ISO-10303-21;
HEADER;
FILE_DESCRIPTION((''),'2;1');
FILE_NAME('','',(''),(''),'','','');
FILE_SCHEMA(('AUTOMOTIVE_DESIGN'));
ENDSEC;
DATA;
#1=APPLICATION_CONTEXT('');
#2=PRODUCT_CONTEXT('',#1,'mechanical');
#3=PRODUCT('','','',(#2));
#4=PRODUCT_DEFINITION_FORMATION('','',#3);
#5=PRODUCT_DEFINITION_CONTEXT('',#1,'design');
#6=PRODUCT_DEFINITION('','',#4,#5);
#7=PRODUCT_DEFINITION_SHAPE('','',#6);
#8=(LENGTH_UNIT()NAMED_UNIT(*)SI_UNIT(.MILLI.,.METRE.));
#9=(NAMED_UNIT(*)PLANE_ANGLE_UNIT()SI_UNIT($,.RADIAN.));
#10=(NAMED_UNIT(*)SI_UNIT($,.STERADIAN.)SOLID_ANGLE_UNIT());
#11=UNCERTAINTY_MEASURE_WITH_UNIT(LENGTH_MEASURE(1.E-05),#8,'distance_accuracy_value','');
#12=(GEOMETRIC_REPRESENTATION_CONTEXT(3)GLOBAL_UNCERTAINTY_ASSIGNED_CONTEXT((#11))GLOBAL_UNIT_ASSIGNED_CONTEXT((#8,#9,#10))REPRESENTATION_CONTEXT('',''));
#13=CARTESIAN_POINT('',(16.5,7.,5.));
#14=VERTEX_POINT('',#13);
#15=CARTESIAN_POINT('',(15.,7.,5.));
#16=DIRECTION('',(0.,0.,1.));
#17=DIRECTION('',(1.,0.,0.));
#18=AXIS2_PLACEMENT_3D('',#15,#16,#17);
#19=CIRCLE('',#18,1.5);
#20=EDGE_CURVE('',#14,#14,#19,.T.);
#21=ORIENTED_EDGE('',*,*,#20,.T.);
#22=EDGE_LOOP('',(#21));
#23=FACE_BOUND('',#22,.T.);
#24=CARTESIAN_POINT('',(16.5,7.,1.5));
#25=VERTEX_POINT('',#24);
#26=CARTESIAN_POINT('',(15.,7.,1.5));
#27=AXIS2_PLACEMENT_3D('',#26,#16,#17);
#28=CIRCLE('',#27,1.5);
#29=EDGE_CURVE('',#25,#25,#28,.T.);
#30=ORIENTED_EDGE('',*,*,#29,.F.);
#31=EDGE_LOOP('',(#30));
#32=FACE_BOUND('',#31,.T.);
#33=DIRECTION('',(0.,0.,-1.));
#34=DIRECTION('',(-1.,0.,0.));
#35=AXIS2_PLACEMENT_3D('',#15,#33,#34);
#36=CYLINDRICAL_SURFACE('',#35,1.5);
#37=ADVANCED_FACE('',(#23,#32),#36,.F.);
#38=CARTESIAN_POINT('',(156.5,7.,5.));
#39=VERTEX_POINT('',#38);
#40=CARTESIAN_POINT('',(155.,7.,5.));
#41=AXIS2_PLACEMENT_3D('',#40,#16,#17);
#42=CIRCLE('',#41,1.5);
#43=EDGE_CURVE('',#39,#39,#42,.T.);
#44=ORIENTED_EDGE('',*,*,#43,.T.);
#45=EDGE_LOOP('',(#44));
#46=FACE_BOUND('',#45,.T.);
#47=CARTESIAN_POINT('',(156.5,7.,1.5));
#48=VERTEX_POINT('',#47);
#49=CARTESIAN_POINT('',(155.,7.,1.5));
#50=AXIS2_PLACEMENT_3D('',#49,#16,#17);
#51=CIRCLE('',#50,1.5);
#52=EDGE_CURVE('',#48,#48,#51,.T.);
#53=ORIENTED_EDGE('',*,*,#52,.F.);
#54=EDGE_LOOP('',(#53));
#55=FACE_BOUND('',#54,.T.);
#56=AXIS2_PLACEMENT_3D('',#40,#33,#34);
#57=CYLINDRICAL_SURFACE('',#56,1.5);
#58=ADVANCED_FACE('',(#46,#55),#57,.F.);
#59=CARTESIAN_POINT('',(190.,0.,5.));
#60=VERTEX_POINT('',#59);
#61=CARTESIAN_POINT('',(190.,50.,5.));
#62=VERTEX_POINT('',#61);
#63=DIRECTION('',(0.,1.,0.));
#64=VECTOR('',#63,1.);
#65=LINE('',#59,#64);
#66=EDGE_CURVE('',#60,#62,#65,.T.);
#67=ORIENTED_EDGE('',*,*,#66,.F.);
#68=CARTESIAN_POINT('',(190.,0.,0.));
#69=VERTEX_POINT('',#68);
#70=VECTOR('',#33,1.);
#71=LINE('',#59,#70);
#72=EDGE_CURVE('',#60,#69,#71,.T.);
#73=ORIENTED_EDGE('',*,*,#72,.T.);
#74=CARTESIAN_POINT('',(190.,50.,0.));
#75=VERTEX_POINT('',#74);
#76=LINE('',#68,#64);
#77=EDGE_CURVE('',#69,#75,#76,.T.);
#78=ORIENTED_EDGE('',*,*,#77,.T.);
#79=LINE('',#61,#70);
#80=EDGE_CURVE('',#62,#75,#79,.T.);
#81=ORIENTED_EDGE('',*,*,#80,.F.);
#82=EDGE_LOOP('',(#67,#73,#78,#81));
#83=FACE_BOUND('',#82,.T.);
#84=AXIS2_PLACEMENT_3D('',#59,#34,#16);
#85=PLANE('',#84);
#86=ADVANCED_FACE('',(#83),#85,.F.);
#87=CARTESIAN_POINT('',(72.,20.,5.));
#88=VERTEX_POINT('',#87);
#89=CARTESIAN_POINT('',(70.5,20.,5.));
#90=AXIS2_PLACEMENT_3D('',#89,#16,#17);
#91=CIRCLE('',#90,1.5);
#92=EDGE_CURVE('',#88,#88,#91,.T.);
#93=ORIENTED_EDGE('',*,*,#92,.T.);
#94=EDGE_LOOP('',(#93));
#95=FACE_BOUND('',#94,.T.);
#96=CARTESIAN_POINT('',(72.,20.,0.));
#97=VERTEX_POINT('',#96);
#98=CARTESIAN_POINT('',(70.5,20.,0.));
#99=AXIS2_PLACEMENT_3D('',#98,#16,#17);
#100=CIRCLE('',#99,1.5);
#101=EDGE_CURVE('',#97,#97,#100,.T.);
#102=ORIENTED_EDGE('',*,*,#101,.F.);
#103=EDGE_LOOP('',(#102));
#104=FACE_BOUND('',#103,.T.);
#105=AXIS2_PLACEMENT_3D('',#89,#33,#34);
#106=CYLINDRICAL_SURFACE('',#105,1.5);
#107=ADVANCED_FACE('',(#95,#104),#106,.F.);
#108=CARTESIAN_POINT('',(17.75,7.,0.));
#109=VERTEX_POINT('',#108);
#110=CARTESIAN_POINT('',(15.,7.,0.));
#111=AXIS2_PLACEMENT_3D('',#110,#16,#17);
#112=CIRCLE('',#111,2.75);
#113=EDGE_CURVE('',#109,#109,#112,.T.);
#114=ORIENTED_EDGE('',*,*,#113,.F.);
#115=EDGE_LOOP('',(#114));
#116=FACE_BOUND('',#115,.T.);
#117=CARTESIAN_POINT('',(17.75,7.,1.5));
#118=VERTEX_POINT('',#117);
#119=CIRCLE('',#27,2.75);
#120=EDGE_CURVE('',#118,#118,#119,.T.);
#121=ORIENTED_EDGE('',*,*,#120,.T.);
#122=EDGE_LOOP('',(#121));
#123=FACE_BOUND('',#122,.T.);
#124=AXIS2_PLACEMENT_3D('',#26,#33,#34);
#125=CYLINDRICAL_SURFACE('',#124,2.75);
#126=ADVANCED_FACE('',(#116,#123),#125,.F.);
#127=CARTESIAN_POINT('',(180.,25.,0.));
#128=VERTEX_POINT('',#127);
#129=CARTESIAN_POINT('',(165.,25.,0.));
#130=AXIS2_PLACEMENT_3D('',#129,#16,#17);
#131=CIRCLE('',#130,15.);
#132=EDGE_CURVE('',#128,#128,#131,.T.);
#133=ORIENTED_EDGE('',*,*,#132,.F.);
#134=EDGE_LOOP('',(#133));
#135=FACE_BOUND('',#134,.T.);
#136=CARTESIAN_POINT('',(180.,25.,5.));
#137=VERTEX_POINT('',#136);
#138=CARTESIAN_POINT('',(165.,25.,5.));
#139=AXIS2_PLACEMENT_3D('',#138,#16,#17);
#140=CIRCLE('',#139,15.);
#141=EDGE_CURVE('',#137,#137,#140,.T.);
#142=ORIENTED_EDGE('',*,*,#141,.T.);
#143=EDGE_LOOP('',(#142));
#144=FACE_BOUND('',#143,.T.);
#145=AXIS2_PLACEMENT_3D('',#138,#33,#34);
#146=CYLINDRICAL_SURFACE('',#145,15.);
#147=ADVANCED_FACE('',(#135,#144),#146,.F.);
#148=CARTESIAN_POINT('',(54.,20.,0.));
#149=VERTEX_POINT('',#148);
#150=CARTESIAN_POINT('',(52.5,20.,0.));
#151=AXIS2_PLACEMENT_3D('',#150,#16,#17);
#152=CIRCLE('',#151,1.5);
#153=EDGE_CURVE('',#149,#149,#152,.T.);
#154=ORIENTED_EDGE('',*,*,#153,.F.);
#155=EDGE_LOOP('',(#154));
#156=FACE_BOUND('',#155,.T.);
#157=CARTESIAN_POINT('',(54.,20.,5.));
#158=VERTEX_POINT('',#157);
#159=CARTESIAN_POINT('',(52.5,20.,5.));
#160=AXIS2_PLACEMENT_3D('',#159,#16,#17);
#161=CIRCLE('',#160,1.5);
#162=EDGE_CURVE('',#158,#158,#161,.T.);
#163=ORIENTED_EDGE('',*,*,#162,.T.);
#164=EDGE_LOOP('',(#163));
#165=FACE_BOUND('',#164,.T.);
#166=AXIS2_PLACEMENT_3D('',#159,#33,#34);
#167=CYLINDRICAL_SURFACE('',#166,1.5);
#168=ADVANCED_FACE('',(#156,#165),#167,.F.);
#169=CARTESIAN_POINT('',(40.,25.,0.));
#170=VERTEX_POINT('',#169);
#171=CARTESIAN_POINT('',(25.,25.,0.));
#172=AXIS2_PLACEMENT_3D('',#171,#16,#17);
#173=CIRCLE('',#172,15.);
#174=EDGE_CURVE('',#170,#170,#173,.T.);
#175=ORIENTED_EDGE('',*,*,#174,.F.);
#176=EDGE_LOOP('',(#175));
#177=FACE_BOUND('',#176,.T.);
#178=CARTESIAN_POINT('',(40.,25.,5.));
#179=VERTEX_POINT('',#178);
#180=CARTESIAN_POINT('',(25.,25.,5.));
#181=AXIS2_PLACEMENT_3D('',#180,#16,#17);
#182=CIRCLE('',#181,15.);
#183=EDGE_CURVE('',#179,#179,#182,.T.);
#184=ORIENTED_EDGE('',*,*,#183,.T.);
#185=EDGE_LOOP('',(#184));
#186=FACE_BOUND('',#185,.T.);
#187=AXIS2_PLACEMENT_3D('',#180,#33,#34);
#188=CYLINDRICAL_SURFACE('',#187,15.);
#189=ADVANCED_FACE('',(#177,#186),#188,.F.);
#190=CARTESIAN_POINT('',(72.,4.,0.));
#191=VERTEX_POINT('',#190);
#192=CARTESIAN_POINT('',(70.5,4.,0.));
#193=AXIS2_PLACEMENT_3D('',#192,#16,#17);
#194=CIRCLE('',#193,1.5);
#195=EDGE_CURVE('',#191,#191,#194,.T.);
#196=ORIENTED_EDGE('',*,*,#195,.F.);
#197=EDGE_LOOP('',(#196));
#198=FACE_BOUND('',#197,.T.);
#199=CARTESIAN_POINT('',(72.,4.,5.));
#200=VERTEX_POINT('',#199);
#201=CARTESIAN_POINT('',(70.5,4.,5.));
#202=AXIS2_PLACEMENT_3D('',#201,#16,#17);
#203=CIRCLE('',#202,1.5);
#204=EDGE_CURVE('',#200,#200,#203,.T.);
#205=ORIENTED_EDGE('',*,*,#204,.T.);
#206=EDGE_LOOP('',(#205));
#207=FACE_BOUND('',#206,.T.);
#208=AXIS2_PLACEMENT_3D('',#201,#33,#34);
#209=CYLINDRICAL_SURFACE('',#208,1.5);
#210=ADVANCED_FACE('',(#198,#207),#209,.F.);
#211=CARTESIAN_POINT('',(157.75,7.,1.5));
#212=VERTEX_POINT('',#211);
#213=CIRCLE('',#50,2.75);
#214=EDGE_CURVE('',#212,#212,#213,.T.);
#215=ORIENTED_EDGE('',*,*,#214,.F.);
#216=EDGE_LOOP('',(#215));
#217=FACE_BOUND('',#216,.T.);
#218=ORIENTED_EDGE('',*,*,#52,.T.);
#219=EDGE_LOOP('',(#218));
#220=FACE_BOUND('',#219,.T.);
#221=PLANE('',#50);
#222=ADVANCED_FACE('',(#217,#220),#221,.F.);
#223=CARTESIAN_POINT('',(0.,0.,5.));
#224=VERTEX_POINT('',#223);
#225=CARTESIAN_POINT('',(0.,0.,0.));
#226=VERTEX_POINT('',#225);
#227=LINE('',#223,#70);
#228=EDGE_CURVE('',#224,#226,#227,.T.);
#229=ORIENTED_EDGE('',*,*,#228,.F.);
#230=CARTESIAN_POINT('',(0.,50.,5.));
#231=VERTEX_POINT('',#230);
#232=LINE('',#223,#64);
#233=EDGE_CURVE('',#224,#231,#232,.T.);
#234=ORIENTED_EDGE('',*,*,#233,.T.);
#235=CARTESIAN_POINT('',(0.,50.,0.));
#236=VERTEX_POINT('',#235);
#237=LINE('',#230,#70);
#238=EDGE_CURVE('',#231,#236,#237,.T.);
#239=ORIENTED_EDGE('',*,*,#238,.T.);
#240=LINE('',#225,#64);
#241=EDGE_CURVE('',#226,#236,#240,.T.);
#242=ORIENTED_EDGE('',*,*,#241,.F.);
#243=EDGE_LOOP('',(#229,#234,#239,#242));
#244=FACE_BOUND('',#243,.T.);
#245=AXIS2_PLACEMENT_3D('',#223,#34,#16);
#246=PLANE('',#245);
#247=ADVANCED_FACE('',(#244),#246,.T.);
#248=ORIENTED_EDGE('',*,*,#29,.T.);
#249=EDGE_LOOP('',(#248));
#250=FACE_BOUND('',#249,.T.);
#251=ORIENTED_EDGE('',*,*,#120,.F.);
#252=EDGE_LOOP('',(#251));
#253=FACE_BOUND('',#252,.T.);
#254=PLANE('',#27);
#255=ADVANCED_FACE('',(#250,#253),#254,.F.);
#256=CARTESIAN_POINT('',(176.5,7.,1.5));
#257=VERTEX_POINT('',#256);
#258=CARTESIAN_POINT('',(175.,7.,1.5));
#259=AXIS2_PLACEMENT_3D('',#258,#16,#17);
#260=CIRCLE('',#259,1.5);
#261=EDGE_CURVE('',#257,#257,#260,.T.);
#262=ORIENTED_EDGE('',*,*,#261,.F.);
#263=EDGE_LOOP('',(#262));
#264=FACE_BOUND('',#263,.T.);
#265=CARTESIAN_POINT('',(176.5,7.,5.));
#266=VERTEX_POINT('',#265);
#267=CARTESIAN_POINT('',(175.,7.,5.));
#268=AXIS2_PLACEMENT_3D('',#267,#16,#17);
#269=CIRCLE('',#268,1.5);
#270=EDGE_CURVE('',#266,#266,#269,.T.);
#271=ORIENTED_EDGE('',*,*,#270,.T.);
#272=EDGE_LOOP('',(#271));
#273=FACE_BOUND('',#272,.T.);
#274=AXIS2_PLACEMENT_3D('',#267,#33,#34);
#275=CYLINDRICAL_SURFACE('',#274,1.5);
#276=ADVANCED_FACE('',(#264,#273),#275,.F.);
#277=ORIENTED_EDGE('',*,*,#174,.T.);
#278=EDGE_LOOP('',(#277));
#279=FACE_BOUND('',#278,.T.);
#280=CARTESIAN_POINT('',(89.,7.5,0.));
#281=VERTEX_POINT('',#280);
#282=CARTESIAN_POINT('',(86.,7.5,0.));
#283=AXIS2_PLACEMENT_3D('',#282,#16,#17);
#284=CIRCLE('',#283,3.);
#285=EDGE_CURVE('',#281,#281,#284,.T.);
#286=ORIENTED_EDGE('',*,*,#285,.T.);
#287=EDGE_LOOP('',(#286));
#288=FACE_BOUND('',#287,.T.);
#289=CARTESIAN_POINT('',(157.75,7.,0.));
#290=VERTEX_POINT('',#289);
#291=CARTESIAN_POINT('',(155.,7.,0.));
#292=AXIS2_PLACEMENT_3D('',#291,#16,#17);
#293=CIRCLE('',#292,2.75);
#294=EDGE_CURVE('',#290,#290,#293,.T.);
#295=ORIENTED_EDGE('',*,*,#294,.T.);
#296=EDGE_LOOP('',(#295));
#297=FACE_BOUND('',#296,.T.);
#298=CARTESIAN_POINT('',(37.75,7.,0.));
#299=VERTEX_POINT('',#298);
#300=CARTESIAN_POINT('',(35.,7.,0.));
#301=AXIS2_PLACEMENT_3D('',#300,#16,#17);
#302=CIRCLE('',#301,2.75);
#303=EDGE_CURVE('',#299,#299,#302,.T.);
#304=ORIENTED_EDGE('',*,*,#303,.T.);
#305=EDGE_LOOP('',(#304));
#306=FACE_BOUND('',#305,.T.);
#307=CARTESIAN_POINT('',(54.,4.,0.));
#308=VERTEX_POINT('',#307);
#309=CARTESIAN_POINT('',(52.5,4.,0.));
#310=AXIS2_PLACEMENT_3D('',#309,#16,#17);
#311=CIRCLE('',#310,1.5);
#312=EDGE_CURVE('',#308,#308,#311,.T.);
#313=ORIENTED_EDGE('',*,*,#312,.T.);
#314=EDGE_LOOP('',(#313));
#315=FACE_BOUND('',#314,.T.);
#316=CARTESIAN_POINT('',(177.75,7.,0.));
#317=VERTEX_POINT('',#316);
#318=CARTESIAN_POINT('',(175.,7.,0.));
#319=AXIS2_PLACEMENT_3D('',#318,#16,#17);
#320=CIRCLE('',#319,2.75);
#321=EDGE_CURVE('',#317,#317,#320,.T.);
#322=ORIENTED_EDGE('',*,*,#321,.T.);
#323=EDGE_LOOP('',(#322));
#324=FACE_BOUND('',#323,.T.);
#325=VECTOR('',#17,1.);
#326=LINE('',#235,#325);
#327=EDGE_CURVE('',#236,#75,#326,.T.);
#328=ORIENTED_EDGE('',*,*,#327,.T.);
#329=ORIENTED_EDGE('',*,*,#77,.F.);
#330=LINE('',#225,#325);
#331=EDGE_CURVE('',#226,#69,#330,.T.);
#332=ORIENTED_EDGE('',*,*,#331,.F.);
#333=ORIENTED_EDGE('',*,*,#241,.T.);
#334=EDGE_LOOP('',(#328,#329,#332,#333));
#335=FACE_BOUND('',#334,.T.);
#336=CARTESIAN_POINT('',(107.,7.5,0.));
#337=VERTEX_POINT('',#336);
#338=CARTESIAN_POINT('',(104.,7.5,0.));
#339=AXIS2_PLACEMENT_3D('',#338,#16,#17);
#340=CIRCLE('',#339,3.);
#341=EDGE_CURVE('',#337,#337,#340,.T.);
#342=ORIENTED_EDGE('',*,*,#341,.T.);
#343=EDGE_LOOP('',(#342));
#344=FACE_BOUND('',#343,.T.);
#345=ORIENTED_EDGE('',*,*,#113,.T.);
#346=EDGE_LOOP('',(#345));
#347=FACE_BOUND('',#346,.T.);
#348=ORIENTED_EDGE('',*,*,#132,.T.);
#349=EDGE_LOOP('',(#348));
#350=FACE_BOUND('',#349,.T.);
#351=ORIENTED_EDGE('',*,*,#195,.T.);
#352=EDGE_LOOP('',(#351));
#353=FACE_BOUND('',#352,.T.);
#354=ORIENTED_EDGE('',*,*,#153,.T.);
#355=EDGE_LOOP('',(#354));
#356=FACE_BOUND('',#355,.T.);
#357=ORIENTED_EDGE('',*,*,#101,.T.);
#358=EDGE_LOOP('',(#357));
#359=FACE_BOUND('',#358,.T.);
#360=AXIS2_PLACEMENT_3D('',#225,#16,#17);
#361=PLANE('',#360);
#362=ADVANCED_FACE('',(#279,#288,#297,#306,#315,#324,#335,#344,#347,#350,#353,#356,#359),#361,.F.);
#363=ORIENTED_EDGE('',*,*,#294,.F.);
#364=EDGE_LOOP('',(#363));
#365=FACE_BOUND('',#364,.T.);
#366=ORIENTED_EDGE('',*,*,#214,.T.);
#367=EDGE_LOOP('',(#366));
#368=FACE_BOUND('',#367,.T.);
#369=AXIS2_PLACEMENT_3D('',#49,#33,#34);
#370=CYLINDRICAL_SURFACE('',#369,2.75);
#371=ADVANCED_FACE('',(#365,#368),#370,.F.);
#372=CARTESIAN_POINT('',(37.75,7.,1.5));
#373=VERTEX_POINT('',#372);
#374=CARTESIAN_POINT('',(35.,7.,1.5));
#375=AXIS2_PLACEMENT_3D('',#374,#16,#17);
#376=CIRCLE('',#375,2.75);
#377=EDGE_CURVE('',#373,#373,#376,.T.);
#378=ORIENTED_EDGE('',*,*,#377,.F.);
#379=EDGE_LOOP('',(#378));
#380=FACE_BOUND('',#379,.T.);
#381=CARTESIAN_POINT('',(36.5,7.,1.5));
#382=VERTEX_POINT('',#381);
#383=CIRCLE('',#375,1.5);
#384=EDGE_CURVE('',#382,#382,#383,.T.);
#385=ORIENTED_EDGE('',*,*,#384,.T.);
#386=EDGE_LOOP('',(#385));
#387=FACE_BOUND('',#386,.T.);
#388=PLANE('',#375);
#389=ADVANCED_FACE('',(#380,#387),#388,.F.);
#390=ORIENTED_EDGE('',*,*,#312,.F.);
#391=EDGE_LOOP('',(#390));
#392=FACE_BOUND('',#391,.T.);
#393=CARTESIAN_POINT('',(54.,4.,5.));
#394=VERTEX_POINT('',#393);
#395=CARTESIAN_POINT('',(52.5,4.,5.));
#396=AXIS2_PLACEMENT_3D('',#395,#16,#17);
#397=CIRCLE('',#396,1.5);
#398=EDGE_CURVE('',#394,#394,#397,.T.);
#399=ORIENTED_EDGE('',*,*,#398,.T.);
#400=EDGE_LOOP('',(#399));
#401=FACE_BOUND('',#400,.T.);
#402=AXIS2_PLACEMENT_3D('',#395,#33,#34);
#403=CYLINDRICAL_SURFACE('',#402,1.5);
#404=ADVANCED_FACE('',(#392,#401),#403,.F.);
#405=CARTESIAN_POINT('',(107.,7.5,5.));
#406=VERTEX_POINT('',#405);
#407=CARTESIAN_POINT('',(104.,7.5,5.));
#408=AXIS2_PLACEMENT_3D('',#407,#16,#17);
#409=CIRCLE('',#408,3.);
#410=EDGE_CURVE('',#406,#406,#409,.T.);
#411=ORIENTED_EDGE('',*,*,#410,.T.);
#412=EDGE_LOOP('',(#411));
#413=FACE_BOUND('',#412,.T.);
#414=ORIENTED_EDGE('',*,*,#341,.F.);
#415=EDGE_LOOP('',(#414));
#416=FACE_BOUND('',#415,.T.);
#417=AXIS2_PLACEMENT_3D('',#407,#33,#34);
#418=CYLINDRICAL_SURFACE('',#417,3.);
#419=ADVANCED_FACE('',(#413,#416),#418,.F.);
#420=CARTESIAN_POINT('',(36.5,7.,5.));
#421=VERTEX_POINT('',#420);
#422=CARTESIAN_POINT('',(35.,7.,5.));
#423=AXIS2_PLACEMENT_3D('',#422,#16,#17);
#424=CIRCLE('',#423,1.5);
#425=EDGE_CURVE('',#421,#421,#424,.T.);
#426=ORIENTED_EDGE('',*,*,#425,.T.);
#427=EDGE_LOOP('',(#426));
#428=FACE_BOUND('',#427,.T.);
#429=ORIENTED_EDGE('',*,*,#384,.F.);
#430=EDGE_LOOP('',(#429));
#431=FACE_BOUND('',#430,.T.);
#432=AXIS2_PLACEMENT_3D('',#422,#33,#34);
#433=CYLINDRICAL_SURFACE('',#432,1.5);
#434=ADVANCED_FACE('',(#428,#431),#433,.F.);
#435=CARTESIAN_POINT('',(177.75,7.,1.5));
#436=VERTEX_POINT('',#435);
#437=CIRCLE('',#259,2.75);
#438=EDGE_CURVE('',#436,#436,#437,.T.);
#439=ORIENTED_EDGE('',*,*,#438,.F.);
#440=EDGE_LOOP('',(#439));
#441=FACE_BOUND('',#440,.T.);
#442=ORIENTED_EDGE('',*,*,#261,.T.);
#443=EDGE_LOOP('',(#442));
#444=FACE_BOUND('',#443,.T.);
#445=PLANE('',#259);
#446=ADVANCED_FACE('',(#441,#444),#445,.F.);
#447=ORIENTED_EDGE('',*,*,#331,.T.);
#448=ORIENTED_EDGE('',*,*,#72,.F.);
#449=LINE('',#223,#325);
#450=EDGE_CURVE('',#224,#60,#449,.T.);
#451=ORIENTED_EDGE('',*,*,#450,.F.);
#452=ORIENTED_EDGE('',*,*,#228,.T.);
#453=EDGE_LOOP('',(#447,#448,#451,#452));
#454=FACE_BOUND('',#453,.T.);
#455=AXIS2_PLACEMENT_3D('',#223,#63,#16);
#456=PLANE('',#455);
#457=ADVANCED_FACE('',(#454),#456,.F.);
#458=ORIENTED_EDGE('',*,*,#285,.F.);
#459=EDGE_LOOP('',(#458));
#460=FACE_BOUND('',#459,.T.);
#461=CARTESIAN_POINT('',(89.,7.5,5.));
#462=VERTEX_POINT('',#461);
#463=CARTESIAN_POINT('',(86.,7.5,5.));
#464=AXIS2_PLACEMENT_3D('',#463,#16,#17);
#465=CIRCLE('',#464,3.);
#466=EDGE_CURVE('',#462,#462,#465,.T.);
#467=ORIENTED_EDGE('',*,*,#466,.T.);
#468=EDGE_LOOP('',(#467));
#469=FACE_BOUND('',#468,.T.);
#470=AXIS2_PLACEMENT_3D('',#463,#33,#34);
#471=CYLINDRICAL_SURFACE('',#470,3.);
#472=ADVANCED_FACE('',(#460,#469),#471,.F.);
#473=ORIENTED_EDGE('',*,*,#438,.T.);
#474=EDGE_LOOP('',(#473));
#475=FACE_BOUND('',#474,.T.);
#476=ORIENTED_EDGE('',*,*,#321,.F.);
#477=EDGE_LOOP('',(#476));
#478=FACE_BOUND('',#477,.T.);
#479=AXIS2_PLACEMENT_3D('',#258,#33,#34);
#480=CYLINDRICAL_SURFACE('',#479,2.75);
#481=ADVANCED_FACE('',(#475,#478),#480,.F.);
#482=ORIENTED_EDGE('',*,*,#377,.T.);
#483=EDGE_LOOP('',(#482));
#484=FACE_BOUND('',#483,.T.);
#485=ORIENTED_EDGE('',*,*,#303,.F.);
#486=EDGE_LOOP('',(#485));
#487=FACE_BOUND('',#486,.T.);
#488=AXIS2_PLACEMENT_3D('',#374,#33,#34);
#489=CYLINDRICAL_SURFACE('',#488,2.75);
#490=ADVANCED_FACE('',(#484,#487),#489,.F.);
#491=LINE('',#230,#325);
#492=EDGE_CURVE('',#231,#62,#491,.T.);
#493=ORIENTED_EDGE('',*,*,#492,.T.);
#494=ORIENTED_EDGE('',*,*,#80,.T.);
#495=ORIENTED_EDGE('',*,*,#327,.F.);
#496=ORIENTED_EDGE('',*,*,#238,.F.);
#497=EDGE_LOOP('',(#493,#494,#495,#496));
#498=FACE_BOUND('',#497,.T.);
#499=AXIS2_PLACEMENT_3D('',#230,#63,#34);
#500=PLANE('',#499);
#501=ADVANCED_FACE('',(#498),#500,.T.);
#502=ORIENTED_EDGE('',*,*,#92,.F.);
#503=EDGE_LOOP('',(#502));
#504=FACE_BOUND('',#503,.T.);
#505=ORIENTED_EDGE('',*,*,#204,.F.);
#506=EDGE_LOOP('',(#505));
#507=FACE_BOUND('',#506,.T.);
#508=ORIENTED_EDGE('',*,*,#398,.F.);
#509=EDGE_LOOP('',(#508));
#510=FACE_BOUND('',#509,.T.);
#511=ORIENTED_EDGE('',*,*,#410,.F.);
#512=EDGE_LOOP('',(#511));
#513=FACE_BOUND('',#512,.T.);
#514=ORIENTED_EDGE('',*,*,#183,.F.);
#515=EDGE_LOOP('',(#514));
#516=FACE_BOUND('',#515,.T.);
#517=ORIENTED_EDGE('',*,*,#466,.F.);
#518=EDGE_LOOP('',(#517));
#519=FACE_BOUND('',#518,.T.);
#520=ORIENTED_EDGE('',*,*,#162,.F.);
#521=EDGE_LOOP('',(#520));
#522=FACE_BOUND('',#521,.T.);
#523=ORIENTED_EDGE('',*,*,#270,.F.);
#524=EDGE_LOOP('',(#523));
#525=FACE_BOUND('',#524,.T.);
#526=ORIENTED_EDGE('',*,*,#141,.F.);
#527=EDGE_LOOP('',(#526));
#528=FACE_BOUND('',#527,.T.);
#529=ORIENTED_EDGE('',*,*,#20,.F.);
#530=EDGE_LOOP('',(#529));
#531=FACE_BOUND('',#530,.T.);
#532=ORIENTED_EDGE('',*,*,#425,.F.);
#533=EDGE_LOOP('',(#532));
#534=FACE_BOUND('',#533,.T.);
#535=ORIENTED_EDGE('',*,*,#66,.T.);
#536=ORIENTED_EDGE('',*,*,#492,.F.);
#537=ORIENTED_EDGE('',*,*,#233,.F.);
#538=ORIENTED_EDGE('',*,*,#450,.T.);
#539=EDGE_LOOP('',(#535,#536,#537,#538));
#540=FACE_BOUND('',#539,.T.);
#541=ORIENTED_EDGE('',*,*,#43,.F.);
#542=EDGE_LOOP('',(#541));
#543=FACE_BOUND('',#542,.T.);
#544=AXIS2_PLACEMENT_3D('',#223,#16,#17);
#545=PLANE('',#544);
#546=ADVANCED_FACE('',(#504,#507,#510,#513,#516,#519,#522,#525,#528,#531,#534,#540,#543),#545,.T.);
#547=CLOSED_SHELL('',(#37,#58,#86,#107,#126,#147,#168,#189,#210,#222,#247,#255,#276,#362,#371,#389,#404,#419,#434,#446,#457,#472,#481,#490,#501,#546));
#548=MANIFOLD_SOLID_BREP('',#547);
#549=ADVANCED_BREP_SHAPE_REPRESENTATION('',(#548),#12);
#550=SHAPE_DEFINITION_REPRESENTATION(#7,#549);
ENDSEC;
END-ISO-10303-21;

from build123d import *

# Parameters (mm, degrees)
SKETCH1_W           = 190
SKETCH1_H           = 50
SKETCH1_R           = 15
SKETCH1_R_2         = 1.5
SKETCH1_R_3         = 3
BOSS_EXTRUDE1_DEPTH = 5
CUT_EXTRUDE1_START  = -5
SKETCH2_R           = 2.75
CUT_EXTRUDE1_DEPTH  = 1.5


with BuildPart() as part:
    # Sketch1 → Boss-Extrude1 (new body)
    with BuildSketch(Plane.XY):
        with Locations((95, 25)):
            Rectangle(SKETCH1_W, SKETCH1_H)
        with Locations((25, 25)):
            Circle(SKETCH1_R, mode=Mode.SUBTRACT)
        with Locations((165, 25)):
            Circle(SKETCH1_R, mode=Mode.SUBTRACT)
        with Locations((35, 7)):
            Circle(SKETCH1_R_2, mode=Mode.SUBTRACT)
        with Locations((175, 7)):
            Circle(SKETCH1_R_2, mode=Mode.SUBTRACT)
        with Locations((155, 7)):
            Circle(SKETCH1_R_2, mode=Mode.SUBTRACT)
        with Locations((70.5, 20)):
            Circle(SKETCH1_R_2, mode=Mode.SUBTRACT)
        with Locations((86, 7.5)):
            Circle(SKETCH1_R_3, mode=Mode.SUBTRACT)
        with Locations((104, 7.5)):
            Circle(SKETCH1_R_3, mode=Mode.SUBTRACT)
        with Locations((15, 7)):
            Circle(SKETCH1_R_2, mode=Mode.SUBTRACT)
        with Locations((52.5, 4)):
            Circle(SKETCH1_R_2, mode=Mode.SUBTRACT)
        with Locations((52.5, 20)):
            Circle(SKETCH1_R_2, mode=Mode.SUBTRACT)
        with Locations((70.5, 4)):
            Circle(SKETCH1_R_2, mode=Mode.SUBTRACT)
    extrude(amount=BOSS_EXTRUDE1_DEPTH)

    # Sketch2 → Cut-Extrude1 (cut)
    with BuildSketch(Plane.XY.offset(5).offset(CUT_EXTRUDE1_START)):
        with Locations((15, 7)):
            Circle(SKETCH2_R)
        with Locations((35, 7)):
            Circle(SKETCH2_R)
        with Locations((155, 7)):
            Circle(SKETCH2_R)
        with Locations((175, 7)):
            Circle(SKETCH2_R)
    extrude(amount=CUT_EXTRUDE1_DEPTH, mode=Mode.SUBTRACT)


solid = part.part
